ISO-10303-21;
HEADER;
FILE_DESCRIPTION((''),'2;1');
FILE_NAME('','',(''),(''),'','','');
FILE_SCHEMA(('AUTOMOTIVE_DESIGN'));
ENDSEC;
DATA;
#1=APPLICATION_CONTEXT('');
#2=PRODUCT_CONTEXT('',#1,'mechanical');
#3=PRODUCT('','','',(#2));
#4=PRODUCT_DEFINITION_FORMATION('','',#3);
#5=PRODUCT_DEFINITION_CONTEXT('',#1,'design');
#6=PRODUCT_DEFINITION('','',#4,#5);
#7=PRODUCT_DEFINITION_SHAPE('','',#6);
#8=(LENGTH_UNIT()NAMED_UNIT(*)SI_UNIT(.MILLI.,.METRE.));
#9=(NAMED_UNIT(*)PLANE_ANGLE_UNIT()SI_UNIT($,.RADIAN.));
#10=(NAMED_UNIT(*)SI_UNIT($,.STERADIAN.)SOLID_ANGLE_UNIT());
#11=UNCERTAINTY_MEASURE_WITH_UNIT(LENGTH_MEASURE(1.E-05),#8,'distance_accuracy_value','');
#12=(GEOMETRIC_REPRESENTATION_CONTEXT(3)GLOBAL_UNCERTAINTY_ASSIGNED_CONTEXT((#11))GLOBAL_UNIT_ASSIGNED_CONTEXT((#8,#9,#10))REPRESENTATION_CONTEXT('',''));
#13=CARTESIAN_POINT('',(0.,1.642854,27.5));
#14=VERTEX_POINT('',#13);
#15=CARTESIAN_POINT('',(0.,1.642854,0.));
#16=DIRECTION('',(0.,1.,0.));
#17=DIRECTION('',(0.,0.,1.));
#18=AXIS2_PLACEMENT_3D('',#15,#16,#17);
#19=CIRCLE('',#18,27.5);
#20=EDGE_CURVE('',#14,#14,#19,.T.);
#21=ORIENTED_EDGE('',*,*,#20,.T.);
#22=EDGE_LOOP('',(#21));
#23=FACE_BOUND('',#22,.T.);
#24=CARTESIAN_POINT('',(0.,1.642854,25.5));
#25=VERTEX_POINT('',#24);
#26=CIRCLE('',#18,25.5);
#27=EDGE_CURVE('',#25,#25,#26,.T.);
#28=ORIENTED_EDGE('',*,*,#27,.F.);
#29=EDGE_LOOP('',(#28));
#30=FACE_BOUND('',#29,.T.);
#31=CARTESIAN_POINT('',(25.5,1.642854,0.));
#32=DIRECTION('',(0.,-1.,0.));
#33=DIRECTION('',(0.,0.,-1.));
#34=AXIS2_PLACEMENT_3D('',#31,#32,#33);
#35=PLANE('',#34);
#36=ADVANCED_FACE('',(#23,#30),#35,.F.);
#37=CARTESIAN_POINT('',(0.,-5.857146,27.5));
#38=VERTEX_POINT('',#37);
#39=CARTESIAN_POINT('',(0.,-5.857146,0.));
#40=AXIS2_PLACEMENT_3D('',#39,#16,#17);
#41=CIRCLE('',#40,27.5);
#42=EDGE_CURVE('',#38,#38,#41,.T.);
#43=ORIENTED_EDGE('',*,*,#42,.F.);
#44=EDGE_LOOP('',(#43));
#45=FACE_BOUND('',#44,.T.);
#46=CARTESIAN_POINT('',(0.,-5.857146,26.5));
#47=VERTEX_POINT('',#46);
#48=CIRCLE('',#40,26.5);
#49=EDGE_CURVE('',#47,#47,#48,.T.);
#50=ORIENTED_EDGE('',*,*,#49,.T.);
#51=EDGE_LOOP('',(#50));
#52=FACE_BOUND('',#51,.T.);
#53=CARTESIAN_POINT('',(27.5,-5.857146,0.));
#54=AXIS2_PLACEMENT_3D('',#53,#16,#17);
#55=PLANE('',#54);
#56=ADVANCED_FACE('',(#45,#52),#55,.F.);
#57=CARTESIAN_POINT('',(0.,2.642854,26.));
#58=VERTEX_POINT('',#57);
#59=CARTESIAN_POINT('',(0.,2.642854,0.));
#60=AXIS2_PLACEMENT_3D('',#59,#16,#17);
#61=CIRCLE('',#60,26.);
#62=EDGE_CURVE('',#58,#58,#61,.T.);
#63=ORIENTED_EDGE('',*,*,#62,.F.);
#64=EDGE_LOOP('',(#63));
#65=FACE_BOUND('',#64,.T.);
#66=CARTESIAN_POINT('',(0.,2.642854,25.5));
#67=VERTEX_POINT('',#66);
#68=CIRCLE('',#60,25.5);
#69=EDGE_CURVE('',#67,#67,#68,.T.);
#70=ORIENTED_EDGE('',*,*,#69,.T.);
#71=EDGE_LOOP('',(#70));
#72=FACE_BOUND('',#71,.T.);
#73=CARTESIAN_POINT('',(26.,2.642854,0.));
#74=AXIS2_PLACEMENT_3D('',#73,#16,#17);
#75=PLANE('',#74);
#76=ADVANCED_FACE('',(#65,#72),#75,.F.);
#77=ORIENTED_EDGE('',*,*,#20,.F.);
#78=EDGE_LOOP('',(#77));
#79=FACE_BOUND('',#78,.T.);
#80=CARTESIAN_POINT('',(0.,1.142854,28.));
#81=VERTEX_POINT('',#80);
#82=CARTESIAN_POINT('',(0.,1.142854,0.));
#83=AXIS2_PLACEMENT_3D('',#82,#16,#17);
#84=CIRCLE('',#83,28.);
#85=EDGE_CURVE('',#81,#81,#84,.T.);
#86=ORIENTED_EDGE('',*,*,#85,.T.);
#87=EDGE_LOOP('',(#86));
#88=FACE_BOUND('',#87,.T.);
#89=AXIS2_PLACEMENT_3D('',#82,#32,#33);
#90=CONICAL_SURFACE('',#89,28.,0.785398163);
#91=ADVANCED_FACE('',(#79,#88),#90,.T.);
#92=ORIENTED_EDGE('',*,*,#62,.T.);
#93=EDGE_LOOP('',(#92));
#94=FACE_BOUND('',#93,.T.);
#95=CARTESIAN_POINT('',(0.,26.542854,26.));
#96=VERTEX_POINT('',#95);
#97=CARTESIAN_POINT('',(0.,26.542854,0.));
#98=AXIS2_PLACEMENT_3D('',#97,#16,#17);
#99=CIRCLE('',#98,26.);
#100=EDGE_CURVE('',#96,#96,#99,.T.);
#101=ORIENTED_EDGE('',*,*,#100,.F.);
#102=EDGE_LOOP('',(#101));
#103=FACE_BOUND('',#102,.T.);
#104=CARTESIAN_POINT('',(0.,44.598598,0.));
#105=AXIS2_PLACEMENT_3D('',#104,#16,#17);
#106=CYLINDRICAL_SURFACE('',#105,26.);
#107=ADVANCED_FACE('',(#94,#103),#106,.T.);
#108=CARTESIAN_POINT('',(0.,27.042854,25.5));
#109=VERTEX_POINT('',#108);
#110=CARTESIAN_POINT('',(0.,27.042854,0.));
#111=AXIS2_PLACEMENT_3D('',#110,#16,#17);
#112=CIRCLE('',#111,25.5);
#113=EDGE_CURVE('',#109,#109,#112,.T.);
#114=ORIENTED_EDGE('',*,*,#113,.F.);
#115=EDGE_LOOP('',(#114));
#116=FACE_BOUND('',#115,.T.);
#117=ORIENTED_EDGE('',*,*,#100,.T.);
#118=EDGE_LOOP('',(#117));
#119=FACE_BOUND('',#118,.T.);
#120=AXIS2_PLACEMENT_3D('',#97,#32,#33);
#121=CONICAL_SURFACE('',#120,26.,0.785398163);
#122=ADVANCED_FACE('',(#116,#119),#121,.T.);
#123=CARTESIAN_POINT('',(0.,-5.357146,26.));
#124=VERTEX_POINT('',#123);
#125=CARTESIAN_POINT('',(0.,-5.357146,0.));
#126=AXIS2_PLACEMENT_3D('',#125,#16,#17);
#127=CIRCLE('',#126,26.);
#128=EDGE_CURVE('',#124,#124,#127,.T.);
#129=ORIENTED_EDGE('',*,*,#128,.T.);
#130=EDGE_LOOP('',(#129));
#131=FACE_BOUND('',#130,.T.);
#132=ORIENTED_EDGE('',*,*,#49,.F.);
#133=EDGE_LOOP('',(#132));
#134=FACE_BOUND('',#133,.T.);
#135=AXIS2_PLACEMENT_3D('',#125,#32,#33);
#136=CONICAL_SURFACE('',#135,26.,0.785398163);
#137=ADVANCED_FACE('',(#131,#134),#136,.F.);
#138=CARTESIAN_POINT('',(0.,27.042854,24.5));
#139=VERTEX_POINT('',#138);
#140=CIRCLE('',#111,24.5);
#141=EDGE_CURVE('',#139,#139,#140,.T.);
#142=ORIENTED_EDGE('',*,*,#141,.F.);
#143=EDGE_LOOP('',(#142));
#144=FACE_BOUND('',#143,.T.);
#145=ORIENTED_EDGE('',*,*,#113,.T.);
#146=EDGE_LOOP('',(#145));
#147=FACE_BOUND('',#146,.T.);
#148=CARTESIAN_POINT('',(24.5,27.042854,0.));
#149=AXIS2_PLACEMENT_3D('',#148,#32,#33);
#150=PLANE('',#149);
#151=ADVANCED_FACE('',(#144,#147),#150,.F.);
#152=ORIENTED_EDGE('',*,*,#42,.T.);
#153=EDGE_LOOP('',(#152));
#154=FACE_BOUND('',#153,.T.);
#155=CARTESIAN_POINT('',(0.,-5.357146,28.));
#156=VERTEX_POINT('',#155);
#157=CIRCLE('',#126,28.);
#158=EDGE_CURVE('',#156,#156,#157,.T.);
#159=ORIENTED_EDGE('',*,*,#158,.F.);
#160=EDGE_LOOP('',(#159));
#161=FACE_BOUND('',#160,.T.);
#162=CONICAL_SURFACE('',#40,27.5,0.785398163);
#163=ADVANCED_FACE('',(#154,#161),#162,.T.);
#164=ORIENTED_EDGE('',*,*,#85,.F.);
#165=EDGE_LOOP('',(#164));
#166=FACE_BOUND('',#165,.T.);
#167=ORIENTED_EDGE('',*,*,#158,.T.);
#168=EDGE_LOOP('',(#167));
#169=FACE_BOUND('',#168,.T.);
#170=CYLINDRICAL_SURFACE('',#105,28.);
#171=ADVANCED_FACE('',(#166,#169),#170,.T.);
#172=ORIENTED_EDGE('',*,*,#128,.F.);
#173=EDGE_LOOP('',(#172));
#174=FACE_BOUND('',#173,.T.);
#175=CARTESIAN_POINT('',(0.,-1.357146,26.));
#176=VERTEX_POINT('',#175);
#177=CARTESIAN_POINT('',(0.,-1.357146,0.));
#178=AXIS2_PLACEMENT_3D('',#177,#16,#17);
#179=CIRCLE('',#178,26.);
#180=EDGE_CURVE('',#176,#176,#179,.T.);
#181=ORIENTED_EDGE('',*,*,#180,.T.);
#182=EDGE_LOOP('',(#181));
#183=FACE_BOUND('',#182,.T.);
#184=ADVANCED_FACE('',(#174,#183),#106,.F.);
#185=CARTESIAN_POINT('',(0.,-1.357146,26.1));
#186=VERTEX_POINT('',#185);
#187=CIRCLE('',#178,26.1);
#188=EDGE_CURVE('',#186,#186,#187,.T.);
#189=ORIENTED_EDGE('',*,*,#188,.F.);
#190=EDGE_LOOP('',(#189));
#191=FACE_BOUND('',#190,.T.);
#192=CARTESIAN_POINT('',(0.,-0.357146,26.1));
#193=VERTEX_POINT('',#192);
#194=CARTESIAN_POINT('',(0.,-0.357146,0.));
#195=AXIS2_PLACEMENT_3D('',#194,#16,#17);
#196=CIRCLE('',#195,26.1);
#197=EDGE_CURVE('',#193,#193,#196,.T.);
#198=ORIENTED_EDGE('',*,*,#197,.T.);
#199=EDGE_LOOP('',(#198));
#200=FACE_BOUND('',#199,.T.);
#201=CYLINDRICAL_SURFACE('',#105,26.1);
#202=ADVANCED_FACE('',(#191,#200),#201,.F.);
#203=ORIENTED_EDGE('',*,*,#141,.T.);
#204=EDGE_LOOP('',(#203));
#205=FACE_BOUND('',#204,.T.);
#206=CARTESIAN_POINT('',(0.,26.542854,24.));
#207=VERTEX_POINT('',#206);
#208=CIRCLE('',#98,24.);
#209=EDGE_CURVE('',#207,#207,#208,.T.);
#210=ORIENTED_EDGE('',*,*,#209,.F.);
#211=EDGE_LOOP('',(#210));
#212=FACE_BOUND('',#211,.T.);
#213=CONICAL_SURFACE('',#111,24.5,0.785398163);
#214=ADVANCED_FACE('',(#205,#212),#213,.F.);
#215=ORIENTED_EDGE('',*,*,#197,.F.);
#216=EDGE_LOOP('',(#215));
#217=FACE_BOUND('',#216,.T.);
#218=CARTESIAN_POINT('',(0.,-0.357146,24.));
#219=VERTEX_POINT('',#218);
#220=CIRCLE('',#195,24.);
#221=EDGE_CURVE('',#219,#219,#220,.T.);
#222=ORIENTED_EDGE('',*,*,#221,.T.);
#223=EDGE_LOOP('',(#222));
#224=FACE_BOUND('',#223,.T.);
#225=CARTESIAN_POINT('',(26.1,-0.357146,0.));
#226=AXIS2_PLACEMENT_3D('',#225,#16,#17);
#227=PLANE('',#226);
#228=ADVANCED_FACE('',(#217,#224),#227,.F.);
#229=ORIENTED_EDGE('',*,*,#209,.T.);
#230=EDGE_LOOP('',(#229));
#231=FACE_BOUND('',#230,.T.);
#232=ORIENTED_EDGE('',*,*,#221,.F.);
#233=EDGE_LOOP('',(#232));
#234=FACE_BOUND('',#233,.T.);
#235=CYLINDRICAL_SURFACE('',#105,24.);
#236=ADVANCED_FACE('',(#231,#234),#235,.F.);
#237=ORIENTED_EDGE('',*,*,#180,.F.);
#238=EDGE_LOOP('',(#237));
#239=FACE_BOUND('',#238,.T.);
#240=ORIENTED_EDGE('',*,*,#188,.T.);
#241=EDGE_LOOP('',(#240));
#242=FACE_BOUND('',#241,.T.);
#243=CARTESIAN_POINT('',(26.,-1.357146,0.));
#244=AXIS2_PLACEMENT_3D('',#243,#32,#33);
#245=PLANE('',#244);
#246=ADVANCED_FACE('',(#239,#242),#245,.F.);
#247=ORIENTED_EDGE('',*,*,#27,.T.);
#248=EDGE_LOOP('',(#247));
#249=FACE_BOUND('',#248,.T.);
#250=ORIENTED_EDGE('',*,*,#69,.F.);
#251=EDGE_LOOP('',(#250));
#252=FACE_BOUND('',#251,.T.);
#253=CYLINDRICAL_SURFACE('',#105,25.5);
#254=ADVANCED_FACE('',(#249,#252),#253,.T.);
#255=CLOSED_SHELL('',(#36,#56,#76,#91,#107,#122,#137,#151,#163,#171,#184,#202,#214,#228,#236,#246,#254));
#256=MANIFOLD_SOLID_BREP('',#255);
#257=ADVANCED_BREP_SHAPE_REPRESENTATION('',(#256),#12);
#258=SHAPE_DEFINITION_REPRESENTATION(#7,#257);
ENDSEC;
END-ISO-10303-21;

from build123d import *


with BuildPart() as part:
    # 草图1 → 旋转1 (revolve)
    with BuildSketch(Plane.XY, mode=Mode.PRIVATE) as revolve_1_sk:
        Polygon((24.5, 27.042854175), (25.5, 27.042854175), (26, 26.542854175), (26, 2.642854175), (25.5, 2.642854175), (25.5, 1.642854175), (27.5, 1.642854175), (28, 1.142854175), (28, -5.357145825), (27.5, -5.857145825), (26.5, -5.857145825), (26, -5.357145825), (26, -1.357145825), (26.1, -1.357145825), (26.1, -0.357145825), (24, -0.357145825), (24, 26.542854175), align=None)
    revolve(revolve_1_sk.sketch.rotate(Axis((0, 44.598597745, 0), (0, -1, 0)), 90), axis=Axis((0, 44.598597745, 0), (0, -1, 0)))  # turned: the seam where the file's is


solid = part.part
